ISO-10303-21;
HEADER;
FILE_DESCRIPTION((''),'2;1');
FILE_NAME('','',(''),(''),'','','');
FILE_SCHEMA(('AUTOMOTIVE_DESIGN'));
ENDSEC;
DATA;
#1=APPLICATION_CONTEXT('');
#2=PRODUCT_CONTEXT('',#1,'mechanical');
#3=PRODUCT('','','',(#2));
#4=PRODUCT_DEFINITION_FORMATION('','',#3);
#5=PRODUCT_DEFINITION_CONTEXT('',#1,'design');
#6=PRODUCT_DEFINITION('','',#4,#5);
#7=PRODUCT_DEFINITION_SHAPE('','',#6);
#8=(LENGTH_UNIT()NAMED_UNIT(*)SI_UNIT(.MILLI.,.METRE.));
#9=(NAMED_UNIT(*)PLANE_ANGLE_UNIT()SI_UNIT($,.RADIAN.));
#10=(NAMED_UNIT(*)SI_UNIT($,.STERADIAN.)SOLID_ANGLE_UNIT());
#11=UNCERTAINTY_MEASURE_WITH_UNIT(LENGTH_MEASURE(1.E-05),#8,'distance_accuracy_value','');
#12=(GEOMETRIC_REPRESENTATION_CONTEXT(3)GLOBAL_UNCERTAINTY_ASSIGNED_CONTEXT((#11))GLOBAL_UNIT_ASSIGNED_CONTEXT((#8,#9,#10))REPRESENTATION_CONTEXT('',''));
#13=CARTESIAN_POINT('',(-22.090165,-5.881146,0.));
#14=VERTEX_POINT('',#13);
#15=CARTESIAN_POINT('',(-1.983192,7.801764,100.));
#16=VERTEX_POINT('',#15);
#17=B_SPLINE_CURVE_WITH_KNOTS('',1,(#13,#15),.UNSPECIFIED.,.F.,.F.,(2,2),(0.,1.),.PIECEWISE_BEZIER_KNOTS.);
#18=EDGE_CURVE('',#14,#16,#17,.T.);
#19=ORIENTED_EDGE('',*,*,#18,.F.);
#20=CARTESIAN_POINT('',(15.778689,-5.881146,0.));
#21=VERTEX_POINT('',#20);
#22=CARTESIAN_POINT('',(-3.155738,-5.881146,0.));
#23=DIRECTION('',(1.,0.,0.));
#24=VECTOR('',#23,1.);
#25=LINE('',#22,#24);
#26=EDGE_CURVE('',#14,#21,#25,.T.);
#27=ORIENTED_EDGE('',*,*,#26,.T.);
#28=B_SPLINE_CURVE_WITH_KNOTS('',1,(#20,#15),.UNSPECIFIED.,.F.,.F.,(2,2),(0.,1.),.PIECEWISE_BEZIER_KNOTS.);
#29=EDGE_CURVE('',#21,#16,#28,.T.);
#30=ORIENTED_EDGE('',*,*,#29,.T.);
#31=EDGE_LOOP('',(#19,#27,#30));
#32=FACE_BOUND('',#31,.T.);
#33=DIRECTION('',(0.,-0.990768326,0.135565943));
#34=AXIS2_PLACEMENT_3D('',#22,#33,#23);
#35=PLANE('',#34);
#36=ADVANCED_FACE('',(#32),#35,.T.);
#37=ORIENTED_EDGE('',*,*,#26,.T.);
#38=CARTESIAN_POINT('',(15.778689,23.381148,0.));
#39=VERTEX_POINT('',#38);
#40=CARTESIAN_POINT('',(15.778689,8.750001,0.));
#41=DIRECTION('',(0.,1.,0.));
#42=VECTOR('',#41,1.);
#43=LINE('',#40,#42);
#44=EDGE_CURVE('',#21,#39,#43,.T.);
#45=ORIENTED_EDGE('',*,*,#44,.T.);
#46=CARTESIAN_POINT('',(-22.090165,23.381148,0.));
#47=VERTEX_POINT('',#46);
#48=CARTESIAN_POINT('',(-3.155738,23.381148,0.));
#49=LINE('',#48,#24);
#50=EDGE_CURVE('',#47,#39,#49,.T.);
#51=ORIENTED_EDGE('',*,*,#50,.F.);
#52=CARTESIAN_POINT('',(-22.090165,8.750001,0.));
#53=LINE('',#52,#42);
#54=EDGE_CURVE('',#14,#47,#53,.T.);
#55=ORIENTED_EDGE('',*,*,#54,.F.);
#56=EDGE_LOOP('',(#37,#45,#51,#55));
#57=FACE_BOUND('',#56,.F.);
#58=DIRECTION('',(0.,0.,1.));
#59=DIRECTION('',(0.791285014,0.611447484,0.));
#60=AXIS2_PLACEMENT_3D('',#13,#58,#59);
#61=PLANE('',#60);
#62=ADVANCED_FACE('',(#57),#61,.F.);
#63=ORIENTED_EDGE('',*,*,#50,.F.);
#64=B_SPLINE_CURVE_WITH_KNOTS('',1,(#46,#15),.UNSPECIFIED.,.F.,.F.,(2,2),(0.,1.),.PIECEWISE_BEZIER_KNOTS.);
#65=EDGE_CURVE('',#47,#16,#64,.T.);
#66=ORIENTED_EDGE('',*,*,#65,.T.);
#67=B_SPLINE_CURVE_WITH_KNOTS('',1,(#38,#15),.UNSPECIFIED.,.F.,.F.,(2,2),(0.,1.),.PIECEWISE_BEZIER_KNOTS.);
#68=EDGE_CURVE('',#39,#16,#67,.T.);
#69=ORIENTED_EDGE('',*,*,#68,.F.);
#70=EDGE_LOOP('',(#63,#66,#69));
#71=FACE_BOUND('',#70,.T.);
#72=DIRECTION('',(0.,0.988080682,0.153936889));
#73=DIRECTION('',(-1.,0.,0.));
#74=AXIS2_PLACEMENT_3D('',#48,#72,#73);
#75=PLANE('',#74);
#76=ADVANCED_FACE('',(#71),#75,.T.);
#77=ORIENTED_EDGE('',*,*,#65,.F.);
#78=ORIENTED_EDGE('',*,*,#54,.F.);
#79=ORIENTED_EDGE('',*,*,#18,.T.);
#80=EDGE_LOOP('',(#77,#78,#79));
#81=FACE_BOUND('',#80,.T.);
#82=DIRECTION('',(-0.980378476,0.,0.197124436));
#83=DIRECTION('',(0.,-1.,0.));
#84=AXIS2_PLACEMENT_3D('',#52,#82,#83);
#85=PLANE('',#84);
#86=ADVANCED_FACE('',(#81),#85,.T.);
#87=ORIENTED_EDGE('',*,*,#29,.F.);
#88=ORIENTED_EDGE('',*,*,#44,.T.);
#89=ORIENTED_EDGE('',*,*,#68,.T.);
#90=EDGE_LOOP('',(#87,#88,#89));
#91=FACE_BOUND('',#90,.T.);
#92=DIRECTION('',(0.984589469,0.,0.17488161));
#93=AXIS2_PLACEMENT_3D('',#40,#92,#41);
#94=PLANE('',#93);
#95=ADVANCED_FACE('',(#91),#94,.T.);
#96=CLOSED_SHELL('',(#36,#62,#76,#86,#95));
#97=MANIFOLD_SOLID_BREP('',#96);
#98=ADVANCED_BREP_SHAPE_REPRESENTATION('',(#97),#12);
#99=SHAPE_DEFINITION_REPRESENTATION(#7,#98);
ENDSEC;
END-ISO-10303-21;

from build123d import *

# Parameters (mm, degrees)
F0_W = 37.868854
F0_H = 29.262295


with BuildPart() as f3:
    # F0 (on Top) → F3 section 0
    with BuildSketch(Plane.XY, mode=Mode.PRIVATE) as f3_s0:
        with Locations((-3.155738, 8.750001)):
            Rectangle(F0_W, F0_H)
    loft([f3_s0.sketch, Vertex(-1.983192, 7.801764, 100)])


solid = f3.part
